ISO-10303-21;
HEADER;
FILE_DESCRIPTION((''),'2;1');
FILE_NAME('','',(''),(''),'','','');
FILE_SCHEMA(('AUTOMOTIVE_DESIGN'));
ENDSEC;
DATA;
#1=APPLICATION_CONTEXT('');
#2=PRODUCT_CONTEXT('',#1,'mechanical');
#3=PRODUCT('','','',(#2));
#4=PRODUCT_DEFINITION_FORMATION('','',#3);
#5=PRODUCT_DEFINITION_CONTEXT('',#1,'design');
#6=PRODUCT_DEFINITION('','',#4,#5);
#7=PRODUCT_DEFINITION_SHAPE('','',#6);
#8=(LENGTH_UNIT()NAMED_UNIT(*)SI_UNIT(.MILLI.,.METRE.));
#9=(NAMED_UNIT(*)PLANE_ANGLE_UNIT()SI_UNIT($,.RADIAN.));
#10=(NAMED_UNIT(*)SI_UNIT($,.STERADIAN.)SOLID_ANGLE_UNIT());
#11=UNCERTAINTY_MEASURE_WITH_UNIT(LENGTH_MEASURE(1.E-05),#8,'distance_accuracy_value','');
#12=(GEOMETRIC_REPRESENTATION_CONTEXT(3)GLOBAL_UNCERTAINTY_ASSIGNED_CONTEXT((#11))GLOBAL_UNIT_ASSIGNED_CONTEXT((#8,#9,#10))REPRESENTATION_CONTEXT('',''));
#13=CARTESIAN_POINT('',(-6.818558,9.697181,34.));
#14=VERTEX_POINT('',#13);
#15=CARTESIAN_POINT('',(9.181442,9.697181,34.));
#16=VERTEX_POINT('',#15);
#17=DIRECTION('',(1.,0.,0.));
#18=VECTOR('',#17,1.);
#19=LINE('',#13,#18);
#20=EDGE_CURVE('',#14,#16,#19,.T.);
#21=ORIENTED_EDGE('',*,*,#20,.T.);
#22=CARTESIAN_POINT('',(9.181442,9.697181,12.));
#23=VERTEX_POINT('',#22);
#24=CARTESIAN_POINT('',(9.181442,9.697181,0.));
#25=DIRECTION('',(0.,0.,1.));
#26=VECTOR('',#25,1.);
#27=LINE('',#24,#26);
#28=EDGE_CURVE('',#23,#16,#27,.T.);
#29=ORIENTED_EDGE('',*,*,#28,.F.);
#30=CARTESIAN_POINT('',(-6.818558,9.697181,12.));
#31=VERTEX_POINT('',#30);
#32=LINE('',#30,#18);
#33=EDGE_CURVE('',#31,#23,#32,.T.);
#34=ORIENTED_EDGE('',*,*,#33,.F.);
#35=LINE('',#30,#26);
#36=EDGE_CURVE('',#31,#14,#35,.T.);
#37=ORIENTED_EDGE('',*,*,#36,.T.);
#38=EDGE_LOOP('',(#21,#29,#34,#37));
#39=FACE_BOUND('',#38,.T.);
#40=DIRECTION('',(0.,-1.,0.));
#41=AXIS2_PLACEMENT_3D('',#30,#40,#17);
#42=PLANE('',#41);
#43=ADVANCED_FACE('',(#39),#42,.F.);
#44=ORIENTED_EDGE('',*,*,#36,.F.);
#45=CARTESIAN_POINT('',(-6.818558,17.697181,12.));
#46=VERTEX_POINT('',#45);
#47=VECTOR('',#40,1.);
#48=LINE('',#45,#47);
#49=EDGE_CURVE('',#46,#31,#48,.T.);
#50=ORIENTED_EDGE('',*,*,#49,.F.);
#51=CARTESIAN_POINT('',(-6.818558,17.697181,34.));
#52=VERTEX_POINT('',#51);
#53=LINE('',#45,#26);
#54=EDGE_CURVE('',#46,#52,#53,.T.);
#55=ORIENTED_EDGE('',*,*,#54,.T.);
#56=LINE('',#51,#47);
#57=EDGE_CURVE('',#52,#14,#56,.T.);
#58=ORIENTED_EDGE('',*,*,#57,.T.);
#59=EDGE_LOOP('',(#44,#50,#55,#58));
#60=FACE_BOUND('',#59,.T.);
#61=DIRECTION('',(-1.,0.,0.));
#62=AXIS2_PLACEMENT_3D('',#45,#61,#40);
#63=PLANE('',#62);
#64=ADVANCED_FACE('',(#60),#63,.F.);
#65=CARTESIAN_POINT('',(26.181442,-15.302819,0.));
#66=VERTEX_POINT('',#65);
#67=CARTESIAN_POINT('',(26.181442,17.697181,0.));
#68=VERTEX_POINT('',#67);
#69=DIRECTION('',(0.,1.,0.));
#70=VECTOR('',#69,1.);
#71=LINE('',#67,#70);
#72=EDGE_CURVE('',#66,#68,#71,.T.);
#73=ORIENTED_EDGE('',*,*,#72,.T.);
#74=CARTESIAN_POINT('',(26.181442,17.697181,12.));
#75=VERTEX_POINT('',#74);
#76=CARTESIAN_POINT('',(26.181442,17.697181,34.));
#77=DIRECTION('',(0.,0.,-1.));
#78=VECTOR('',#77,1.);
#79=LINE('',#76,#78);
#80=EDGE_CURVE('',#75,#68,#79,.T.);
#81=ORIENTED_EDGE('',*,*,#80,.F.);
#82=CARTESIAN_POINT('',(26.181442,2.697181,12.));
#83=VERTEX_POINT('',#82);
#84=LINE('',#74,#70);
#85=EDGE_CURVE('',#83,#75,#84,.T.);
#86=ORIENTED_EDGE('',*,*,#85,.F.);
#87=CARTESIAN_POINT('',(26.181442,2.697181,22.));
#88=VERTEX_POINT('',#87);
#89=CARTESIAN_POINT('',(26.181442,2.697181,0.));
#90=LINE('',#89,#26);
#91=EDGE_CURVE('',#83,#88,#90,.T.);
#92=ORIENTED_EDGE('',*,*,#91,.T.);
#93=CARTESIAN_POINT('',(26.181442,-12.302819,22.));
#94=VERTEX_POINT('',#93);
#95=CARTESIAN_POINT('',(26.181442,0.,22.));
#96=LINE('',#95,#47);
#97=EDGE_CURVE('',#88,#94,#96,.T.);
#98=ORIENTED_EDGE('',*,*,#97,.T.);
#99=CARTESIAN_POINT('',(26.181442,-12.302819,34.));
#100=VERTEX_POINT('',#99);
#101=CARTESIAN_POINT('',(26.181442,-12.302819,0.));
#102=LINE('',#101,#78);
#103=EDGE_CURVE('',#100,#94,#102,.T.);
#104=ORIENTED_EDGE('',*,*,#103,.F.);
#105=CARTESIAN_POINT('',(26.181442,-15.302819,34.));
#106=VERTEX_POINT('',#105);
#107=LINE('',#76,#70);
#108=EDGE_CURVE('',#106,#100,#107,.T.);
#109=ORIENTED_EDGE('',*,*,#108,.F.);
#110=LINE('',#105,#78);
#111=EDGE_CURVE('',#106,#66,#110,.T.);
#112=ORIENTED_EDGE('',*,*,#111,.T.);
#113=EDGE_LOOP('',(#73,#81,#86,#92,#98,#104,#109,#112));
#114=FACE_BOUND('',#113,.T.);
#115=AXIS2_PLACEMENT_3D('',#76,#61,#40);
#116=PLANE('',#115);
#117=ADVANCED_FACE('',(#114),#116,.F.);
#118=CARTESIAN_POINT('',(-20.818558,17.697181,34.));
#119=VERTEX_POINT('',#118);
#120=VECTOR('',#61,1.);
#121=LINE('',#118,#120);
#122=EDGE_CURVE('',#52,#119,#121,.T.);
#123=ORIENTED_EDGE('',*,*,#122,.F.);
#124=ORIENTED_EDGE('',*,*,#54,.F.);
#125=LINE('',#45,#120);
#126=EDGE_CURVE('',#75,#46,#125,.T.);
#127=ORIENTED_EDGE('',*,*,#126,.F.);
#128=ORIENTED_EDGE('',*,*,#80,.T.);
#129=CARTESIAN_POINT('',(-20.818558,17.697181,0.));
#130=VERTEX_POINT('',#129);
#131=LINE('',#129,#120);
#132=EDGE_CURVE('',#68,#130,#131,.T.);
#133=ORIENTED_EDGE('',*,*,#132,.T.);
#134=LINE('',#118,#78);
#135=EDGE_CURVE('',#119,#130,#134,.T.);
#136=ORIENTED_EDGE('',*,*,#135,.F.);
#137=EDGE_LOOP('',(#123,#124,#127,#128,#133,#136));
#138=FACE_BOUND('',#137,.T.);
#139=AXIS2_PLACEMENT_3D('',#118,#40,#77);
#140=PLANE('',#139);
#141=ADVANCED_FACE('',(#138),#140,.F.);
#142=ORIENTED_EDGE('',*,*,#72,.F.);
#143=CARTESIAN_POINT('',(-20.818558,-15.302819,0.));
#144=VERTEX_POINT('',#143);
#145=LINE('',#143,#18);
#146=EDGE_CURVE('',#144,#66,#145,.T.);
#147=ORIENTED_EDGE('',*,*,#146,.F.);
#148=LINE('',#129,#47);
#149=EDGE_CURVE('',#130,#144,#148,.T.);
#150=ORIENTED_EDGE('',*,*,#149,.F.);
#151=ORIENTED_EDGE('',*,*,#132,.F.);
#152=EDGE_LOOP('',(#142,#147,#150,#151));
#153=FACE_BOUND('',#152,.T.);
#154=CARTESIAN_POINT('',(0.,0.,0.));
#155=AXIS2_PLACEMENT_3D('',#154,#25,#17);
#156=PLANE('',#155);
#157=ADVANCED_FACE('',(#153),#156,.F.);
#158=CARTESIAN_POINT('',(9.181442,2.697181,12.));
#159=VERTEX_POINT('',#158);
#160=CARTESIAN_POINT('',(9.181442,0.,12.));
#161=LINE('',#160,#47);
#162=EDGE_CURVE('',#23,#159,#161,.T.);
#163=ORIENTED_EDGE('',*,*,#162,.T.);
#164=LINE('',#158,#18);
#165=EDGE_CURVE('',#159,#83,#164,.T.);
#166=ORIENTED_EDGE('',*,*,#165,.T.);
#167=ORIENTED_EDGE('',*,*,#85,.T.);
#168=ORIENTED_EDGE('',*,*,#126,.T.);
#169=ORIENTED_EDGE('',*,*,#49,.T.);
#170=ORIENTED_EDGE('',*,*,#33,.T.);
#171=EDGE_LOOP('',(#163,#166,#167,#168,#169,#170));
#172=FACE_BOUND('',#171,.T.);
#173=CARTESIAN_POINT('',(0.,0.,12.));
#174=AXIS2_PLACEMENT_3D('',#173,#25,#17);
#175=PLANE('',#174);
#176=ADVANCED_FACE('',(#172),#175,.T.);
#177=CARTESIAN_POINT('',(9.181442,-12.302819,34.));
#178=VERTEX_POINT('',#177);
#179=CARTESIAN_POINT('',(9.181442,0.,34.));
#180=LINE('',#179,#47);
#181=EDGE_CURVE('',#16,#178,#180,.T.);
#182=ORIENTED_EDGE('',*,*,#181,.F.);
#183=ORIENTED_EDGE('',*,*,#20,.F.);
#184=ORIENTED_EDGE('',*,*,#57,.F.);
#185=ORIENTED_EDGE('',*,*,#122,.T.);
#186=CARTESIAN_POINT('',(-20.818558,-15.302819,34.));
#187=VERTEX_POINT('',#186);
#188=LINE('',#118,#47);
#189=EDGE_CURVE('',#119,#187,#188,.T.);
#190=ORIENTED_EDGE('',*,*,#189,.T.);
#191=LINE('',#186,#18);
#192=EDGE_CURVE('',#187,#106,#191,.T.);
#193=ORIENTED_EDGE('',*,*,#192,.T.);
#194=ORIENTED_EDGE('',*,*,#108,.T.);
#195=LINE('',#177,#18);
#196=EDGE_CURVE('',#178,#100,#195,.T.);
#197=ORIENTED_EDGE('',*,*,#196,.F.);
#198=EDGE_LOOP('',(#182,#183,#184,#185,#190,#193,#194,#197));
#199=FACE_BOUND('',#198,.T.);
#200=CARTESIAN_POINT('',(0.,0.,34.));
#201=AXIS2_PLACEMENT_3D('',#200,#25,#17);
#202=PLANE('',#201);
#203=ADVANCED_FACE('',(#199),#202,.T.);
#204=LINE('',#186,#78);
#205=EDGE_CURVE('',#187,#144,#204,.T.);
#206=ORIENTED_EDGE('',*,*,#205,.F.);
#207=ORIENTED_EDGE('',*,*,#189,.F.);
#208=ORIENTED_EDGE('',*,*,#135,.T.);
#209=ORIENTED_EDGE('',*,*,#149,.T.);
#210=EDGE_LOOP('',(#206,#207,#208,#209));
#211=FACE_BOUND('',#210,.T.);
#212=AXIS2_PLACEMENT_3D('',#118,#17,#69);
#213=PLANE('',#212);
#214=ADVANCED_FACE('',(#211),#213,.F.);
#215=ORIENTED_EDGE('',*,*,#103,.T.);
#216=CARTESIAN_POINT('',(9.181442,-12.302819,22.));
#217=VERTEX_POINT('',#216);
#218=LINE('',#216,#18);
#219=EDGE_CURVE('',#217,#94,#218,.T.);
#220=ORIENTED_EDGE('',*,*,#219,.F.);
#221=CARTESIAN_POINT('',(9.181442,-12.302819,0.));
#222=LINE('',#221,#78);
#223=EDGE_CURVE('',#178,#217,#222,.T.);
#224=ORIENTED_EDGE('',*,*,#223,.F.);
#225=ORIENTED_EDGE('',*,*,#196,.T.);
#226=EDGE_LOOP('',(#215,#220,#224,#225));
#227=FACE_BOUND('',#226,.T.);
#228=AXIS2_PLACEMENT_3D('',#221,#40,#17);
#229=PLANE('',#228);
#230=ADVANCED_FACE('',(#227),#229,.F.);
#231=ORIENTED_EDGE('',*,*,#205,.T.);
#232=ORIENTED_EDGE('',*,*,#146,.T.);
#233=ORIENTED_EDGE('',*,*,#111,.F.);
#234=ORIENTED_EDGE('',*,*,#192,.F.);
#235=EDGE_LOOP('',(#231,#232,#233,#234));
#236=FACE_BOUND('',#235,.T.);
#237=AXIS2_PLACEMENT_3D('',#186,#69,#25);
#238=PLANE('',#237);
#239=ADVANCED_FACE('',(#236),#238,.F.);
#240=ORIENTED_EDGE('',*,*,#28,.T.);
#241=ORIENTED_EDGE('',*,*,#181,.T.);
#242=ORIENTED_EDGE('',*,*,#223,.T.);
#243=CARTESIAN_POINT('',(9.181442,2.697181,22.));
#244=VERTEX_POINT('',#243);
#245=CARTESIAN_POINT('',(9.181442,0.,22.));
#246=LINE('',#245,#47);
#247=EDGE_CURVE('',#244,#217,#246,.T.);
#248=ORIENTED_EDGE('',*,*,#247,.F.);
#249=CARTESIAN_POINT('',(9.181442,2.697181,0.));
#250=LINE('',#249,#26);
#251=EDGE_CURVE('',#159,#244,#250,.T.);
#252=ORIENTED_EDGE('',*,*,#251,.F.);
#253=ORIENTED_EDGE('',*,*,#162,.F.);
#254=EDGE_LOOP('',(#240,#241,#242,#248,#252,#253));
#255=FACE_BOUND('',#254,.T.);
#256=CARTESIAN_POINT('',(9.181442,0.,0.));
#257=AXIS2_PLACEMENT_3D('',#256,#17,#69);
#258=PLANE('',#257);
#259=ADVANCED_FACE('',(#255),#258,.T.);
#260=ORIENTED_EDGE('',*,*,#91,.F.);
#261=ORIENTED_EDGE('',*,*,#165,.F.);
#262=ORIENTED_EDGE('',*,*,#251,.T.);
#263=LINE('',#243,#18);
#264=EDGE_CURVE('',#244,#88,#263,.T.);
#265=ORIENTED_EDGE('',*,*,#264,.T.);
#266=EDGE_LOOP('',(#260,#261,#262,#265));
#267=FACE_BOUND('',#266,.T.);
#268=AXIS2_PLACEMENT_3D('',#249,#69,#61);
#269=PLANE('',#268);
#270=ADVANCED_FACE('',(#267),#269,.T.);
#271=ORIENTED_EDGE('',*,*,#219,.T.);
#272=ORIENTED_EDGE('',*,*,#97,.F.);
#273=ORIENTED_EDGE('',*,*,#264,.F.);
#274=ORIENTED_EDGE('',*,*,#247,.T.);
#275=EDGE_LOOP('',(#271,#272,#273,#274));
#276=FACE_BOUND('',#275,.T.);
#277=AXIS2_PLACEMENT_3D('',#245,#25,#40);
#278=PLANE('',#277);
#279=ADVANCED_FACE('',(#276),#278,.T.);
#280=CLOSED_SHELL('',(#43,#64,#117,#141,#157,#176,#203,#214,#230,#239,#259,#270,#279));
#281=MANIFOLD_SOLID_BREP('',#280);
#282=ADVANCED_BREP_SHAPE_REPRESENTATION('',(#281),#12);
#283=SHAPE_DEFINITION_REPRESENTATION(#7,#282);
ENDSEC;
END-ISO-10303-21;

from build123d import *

# Parameters (mm, degrees)
SKETCH1_W           = 47
SKETCH1_H           = 33
BOSS_EXTRUDE1_DEPTH = 34
SKETCH2_W           = 33
SKETCH2_H           = 8
CUT_EXTRUDE1_DEPTH  = 22
SKETCH3_W           = 12
SKETCH3_H           = 15
CUT_EXTRUDE2_DEPTH  = 17


with BuildPart() as part:
    # Sketch1 → Boss-Extrude1 (new body)
    with BuildSketch(Plane.XY):
        with Locations((2.68144213, 1.197180866)):
            Rectangle(SKETCH1_W, SKETCH1_H)
    extrude(amount=BOSS_EXTRUDE1_DEPTH)

    # Sketch2 → Cut-Extrude1 (cut)
    with BuildSketch(Plane.XY.offset(34)):
        with Locations((9.68144213, 13.697180866)):
            Rectangle(SKETCH2_W, SKETCH2_H)
    extrude(amount=-CUT_EXTRUDE1_DEPTH, mode=Mode.SUBTRACT)

    # Sketch3 → Cut-Extrude2 (cut)
    with BuildSketch(Plane(origin=(26.18144213, 0, 0), x_dir=(0, 0, -1), z_dir=(1, 0, 0))):
        with Locations((-28, -4.802819134)):
            Rectangle(SKETCH3_W, SKETCH3_H)
        Polygon((-12, 2.697180866), (-12, 9.697180866), (-34, 9.697180866), (-34, 2.697180866), (-22, 2.697180866), align=None)
    extrude(amount=-CUT_EXTRUDE2_DEPTH, mode=Mode.SUBTRACT)


solid = part.part
